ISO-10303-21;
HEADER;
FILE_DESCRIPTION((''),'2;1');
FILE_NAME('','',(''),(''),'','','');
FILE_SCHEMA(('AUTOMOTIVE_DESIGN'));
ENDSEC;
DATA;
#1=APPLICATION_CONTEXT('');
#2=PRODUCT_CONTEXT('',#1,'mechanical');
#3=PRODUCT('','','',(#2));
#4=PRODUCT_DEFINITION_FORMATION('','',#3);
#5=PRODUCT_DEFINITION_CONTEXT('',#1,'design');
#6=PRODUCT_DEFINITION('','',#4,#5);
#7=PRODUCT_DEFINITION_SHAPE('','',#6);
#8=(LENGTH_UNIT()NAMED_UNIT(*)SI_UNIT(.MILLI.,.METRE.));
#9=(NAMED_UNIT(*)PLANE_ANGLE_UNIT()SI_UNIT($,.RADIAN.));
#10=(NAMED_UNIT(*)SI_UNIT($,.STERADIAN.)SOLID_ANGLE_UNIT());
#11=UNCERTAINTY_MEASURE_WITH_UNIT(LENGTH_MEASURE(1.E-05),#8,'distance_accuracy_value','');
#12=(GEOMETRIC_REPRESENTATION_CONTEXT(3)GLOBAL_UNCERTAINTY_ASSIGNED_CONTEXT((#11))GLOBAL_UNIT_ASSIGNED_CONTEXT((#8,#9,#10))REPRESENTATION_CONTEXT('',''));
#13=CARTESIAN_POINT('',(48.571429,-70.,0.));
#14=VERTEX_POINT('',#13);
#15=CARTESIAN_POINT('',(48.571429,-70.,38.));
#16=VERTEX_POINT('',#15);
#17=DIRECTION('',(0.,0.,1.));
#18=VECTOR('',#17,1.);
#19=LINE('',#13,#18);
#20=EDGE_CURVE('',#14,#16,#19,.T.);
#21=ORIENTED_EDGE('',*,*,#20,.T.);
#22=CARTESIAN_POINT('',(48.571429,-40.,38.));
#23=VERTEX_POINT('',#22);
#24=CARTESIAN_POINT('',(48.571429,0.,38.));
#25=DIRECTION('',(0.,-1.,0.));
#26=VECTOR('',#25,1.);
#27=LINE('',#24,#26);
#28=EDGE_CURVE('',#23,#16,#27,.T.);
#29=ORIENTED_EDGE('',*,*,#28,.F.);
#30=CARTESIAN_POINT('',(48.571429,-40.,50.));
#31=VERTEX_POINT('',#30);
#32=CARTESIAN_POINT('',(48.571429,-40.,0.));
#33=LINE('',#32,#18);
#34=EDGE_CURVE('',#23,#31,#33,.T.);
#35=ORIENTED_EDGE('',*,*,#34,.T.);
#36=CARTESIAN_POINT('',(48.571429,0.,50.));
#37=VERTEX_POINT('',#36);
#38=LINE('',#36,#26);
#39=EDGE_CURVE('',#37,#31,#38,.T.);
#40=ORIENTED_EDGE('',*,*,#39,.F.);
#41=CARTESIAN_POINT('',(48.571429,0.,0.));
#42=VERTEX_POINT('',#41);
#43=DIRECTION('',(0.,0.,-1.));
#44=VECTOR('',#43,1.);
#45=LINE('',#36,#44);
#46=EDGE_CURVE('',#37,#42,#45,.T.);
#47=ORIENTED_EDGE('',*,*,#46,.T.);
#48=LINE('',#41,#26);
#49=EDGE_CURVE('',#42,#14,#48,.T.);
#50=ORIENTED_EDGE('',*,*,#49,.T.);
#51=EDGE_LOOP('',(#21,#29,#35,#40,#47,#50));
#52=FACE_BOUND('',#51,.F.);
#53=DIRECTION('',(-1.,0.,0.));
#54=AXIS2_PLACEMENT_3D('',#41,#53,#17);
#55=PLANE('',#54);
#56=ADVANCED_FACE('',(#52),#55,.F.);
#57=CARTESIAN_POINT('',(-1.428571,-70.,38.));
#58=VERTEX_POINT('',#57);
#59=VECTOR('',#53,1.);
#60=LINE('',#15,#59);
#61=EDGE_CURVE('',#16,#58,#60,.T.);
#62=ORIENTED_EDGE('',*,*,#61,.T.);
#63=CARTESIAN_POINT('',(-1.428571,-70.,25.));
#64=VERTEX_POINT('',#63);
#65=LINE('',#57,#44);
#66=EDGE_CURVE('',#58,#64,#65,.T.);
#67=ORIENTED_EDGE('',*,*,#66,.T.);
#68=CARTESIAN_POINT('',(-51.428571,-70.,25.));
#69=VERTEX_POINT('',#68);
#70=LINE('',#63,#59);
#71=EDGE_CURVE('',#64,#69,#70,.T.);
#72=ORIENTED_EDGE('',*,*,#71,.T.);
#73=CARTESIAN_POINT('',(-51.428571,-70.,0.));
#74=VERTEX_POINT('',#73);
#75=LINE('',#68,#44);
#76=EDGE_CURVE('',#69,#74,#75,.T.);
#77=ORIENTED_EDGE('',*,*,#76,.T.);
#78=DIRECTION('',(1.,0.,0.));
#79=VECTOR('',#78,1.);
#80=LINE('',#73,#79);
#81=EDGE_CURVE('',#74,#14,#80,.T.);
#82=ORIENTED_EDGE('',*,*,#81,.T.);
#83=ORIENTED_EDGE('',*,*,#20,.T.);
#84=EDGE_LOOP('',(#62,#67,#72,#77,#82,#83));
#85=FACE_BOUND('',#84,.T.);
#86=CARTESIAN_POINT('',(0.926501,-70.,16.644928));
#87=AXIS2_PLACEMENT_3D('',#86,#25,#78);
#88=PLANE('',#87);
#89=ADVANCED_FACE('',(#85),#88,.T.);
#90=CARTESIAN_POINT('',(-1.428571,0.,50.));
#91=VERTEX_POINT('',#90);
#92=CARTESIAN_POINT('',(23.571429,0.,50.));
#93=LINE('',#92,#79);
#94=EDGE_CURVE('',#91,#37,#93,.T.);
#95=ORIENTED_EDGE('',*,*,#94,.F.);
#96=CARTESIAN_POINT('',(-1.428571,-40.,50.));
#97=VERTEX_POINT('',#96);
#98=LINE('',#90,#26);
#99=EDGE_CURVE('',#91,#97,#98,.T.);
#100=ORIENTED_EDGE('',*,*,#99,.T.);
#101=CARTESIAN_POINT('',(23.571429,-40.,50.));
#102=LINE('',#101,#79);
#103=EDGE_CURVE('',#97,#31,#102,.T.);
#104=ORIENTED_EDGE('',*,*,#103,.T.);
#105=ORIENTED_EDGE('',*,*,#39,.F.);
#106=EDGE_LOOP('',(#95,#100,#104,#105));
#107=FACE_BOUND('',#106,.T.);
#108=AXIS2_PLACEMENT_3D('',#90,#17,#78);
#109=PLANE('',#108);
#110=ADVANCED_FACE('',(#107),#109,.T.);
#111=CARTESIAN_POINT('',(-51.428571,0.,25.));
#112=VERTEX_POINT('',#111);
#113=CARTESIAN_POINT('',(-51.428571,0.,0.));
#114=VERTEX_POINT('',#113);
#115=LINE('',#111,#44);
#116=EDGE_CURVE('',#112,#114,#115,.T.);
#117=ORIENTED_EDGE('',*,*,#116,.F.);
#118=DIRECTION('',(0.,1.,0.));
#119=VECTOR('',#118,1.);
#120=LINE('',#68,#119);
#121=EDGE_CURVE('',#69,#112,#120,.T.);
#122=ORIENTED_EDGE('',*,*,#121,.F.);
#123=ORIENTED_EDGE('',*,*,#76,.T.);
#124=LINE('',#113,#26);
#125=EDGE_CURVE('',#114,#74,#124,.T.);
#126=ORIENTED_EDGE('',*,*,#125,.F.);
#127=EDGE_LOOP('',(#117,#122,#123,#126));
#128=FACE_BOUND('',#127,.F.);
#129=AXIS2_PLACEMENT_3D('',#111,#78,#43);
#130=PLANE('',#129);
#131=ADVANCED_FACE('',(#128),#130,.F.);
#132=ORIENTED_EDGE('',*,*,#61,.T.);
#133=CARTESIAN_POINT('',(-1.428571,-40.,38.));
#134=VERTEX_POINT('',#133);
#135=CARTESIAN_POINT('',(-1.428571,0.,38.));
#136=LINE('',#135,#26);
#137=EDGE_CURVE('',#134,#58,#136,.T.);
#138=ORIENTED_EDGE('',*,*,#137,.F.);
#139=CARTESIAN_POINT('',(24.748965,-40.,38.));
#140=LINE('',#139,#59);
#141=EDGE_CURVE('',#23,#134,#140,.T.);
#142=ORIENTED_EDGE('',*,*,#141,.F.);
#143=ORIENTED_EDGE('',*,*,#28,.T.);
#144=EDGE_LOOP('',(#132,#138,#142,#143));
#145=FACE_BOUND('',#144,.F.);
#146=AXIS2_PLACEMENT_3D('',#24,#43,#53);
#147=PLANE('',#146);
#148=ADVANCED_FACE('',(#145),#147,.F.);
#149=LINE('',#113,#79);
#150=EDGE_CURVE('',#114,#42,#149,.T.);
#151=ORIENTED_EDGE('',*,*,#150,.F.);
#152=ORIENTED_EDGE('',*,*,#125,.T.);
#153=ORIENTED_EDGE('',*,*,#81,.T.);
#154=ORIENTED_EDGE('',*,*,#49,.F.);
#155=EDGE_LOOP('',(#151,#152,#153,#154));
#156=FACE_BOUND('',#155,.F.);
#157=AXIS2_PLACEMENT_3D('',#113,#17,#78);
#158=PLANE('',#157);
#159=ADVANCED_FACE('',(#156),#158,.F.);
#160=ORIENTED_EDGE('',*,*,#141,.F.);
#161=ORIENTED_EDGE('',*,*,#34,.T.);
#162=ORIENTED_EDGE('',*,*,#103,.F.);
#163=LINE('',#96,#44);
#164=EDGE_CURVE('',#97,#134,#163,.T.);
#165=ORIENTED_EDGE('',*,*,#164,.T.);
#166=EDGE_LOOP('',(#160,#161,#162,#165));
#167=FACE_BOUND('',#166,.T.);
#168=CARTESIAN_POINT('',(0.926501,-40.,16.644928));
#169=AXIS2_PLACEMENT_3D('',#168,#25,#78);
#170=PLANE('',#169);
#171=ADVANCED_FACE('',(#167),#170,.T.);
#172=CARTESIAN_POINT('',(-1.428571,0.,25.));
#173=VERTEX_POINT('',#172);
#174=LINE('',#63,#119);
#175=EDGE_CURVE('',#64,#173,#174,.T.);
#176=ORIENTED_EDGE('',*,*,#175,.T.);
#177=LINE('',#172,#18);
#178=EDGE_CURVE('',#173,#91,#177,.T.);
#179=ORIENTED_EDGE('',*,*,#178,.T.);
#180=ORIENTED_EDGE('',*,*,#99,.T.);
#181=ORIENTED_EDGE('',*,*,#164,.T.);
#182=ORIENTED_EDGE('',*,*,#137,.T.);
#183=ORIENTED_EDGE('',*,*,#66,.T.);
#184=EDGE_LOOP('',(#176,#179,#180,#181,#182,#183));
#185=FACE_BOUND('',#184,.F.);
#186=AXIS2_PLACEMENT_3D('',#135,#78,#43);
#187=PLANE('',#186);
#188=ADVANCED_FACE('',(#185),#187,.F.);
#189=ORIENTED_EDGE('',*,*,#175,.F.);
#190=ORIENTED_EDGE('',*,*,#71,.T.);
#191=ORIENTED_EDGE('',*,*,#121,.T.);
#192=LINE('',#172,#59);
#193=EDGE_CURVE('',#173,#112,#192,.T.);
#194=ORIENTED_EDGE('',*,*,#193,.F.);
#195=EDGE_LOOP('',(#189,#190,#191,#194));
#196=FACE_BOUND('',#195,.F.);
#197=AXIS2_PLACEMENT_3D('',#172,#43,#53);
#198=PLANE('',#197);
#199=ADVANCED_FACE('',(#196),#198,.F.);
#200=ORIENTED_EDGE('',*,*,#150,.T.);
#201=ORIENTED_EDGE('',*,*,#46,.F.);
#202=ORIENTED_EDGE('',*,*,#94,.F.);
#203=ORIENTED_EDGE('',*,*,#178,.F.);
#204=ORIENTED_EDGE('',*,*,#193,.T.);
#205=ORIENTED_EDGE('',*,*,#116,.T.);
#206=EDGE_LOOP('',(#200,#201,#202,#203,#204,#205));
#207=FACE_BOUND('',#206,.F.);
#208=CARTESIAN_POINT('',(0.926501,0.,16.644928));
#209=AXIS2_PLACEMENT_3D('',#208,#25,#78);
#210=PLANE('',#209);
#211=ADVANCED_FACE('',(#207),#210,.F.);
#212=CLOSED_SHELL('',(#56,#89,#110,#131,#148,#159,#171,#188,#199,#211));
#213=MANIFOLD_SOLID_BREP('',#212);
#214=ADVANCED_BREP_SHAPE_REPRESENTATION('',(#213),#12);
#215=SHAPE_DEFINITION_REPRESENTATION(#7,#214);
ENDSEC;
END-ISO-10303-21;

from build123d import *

# Parameters (mm, degrees)
F1_DEPTH = 70
F0_W     = 50
F0_H     = 12
F2_DEPTH = 40


with BuildPart() as f1:
    # F0 (on Front) → F1 (new body)
    with BuildSketch(Plane.XZ):
        Polygon((-51.428571, 25), (-51.428571, 0), (48.571429, 0), (48.571429, 38), (-1.428571, 38), (-1.428571, 25), align=None)
    extrude(amount=F1_DEPTH)

    # F0 (on Front) → F2 (join)
    with BuildSketch(Plane.XZ):
        Polygon((-51.428571, 25), (-51.428571, 0), (48.571429, 0), (48.571429, 38), (-1.428571, 38), (-1.428571, 25), align=None)
        with Locations((23.571429, 44)):
            Rectangle(F0_W, F0_H)
    extrude(amount=F2_DEPTH)


solid = f1.part
